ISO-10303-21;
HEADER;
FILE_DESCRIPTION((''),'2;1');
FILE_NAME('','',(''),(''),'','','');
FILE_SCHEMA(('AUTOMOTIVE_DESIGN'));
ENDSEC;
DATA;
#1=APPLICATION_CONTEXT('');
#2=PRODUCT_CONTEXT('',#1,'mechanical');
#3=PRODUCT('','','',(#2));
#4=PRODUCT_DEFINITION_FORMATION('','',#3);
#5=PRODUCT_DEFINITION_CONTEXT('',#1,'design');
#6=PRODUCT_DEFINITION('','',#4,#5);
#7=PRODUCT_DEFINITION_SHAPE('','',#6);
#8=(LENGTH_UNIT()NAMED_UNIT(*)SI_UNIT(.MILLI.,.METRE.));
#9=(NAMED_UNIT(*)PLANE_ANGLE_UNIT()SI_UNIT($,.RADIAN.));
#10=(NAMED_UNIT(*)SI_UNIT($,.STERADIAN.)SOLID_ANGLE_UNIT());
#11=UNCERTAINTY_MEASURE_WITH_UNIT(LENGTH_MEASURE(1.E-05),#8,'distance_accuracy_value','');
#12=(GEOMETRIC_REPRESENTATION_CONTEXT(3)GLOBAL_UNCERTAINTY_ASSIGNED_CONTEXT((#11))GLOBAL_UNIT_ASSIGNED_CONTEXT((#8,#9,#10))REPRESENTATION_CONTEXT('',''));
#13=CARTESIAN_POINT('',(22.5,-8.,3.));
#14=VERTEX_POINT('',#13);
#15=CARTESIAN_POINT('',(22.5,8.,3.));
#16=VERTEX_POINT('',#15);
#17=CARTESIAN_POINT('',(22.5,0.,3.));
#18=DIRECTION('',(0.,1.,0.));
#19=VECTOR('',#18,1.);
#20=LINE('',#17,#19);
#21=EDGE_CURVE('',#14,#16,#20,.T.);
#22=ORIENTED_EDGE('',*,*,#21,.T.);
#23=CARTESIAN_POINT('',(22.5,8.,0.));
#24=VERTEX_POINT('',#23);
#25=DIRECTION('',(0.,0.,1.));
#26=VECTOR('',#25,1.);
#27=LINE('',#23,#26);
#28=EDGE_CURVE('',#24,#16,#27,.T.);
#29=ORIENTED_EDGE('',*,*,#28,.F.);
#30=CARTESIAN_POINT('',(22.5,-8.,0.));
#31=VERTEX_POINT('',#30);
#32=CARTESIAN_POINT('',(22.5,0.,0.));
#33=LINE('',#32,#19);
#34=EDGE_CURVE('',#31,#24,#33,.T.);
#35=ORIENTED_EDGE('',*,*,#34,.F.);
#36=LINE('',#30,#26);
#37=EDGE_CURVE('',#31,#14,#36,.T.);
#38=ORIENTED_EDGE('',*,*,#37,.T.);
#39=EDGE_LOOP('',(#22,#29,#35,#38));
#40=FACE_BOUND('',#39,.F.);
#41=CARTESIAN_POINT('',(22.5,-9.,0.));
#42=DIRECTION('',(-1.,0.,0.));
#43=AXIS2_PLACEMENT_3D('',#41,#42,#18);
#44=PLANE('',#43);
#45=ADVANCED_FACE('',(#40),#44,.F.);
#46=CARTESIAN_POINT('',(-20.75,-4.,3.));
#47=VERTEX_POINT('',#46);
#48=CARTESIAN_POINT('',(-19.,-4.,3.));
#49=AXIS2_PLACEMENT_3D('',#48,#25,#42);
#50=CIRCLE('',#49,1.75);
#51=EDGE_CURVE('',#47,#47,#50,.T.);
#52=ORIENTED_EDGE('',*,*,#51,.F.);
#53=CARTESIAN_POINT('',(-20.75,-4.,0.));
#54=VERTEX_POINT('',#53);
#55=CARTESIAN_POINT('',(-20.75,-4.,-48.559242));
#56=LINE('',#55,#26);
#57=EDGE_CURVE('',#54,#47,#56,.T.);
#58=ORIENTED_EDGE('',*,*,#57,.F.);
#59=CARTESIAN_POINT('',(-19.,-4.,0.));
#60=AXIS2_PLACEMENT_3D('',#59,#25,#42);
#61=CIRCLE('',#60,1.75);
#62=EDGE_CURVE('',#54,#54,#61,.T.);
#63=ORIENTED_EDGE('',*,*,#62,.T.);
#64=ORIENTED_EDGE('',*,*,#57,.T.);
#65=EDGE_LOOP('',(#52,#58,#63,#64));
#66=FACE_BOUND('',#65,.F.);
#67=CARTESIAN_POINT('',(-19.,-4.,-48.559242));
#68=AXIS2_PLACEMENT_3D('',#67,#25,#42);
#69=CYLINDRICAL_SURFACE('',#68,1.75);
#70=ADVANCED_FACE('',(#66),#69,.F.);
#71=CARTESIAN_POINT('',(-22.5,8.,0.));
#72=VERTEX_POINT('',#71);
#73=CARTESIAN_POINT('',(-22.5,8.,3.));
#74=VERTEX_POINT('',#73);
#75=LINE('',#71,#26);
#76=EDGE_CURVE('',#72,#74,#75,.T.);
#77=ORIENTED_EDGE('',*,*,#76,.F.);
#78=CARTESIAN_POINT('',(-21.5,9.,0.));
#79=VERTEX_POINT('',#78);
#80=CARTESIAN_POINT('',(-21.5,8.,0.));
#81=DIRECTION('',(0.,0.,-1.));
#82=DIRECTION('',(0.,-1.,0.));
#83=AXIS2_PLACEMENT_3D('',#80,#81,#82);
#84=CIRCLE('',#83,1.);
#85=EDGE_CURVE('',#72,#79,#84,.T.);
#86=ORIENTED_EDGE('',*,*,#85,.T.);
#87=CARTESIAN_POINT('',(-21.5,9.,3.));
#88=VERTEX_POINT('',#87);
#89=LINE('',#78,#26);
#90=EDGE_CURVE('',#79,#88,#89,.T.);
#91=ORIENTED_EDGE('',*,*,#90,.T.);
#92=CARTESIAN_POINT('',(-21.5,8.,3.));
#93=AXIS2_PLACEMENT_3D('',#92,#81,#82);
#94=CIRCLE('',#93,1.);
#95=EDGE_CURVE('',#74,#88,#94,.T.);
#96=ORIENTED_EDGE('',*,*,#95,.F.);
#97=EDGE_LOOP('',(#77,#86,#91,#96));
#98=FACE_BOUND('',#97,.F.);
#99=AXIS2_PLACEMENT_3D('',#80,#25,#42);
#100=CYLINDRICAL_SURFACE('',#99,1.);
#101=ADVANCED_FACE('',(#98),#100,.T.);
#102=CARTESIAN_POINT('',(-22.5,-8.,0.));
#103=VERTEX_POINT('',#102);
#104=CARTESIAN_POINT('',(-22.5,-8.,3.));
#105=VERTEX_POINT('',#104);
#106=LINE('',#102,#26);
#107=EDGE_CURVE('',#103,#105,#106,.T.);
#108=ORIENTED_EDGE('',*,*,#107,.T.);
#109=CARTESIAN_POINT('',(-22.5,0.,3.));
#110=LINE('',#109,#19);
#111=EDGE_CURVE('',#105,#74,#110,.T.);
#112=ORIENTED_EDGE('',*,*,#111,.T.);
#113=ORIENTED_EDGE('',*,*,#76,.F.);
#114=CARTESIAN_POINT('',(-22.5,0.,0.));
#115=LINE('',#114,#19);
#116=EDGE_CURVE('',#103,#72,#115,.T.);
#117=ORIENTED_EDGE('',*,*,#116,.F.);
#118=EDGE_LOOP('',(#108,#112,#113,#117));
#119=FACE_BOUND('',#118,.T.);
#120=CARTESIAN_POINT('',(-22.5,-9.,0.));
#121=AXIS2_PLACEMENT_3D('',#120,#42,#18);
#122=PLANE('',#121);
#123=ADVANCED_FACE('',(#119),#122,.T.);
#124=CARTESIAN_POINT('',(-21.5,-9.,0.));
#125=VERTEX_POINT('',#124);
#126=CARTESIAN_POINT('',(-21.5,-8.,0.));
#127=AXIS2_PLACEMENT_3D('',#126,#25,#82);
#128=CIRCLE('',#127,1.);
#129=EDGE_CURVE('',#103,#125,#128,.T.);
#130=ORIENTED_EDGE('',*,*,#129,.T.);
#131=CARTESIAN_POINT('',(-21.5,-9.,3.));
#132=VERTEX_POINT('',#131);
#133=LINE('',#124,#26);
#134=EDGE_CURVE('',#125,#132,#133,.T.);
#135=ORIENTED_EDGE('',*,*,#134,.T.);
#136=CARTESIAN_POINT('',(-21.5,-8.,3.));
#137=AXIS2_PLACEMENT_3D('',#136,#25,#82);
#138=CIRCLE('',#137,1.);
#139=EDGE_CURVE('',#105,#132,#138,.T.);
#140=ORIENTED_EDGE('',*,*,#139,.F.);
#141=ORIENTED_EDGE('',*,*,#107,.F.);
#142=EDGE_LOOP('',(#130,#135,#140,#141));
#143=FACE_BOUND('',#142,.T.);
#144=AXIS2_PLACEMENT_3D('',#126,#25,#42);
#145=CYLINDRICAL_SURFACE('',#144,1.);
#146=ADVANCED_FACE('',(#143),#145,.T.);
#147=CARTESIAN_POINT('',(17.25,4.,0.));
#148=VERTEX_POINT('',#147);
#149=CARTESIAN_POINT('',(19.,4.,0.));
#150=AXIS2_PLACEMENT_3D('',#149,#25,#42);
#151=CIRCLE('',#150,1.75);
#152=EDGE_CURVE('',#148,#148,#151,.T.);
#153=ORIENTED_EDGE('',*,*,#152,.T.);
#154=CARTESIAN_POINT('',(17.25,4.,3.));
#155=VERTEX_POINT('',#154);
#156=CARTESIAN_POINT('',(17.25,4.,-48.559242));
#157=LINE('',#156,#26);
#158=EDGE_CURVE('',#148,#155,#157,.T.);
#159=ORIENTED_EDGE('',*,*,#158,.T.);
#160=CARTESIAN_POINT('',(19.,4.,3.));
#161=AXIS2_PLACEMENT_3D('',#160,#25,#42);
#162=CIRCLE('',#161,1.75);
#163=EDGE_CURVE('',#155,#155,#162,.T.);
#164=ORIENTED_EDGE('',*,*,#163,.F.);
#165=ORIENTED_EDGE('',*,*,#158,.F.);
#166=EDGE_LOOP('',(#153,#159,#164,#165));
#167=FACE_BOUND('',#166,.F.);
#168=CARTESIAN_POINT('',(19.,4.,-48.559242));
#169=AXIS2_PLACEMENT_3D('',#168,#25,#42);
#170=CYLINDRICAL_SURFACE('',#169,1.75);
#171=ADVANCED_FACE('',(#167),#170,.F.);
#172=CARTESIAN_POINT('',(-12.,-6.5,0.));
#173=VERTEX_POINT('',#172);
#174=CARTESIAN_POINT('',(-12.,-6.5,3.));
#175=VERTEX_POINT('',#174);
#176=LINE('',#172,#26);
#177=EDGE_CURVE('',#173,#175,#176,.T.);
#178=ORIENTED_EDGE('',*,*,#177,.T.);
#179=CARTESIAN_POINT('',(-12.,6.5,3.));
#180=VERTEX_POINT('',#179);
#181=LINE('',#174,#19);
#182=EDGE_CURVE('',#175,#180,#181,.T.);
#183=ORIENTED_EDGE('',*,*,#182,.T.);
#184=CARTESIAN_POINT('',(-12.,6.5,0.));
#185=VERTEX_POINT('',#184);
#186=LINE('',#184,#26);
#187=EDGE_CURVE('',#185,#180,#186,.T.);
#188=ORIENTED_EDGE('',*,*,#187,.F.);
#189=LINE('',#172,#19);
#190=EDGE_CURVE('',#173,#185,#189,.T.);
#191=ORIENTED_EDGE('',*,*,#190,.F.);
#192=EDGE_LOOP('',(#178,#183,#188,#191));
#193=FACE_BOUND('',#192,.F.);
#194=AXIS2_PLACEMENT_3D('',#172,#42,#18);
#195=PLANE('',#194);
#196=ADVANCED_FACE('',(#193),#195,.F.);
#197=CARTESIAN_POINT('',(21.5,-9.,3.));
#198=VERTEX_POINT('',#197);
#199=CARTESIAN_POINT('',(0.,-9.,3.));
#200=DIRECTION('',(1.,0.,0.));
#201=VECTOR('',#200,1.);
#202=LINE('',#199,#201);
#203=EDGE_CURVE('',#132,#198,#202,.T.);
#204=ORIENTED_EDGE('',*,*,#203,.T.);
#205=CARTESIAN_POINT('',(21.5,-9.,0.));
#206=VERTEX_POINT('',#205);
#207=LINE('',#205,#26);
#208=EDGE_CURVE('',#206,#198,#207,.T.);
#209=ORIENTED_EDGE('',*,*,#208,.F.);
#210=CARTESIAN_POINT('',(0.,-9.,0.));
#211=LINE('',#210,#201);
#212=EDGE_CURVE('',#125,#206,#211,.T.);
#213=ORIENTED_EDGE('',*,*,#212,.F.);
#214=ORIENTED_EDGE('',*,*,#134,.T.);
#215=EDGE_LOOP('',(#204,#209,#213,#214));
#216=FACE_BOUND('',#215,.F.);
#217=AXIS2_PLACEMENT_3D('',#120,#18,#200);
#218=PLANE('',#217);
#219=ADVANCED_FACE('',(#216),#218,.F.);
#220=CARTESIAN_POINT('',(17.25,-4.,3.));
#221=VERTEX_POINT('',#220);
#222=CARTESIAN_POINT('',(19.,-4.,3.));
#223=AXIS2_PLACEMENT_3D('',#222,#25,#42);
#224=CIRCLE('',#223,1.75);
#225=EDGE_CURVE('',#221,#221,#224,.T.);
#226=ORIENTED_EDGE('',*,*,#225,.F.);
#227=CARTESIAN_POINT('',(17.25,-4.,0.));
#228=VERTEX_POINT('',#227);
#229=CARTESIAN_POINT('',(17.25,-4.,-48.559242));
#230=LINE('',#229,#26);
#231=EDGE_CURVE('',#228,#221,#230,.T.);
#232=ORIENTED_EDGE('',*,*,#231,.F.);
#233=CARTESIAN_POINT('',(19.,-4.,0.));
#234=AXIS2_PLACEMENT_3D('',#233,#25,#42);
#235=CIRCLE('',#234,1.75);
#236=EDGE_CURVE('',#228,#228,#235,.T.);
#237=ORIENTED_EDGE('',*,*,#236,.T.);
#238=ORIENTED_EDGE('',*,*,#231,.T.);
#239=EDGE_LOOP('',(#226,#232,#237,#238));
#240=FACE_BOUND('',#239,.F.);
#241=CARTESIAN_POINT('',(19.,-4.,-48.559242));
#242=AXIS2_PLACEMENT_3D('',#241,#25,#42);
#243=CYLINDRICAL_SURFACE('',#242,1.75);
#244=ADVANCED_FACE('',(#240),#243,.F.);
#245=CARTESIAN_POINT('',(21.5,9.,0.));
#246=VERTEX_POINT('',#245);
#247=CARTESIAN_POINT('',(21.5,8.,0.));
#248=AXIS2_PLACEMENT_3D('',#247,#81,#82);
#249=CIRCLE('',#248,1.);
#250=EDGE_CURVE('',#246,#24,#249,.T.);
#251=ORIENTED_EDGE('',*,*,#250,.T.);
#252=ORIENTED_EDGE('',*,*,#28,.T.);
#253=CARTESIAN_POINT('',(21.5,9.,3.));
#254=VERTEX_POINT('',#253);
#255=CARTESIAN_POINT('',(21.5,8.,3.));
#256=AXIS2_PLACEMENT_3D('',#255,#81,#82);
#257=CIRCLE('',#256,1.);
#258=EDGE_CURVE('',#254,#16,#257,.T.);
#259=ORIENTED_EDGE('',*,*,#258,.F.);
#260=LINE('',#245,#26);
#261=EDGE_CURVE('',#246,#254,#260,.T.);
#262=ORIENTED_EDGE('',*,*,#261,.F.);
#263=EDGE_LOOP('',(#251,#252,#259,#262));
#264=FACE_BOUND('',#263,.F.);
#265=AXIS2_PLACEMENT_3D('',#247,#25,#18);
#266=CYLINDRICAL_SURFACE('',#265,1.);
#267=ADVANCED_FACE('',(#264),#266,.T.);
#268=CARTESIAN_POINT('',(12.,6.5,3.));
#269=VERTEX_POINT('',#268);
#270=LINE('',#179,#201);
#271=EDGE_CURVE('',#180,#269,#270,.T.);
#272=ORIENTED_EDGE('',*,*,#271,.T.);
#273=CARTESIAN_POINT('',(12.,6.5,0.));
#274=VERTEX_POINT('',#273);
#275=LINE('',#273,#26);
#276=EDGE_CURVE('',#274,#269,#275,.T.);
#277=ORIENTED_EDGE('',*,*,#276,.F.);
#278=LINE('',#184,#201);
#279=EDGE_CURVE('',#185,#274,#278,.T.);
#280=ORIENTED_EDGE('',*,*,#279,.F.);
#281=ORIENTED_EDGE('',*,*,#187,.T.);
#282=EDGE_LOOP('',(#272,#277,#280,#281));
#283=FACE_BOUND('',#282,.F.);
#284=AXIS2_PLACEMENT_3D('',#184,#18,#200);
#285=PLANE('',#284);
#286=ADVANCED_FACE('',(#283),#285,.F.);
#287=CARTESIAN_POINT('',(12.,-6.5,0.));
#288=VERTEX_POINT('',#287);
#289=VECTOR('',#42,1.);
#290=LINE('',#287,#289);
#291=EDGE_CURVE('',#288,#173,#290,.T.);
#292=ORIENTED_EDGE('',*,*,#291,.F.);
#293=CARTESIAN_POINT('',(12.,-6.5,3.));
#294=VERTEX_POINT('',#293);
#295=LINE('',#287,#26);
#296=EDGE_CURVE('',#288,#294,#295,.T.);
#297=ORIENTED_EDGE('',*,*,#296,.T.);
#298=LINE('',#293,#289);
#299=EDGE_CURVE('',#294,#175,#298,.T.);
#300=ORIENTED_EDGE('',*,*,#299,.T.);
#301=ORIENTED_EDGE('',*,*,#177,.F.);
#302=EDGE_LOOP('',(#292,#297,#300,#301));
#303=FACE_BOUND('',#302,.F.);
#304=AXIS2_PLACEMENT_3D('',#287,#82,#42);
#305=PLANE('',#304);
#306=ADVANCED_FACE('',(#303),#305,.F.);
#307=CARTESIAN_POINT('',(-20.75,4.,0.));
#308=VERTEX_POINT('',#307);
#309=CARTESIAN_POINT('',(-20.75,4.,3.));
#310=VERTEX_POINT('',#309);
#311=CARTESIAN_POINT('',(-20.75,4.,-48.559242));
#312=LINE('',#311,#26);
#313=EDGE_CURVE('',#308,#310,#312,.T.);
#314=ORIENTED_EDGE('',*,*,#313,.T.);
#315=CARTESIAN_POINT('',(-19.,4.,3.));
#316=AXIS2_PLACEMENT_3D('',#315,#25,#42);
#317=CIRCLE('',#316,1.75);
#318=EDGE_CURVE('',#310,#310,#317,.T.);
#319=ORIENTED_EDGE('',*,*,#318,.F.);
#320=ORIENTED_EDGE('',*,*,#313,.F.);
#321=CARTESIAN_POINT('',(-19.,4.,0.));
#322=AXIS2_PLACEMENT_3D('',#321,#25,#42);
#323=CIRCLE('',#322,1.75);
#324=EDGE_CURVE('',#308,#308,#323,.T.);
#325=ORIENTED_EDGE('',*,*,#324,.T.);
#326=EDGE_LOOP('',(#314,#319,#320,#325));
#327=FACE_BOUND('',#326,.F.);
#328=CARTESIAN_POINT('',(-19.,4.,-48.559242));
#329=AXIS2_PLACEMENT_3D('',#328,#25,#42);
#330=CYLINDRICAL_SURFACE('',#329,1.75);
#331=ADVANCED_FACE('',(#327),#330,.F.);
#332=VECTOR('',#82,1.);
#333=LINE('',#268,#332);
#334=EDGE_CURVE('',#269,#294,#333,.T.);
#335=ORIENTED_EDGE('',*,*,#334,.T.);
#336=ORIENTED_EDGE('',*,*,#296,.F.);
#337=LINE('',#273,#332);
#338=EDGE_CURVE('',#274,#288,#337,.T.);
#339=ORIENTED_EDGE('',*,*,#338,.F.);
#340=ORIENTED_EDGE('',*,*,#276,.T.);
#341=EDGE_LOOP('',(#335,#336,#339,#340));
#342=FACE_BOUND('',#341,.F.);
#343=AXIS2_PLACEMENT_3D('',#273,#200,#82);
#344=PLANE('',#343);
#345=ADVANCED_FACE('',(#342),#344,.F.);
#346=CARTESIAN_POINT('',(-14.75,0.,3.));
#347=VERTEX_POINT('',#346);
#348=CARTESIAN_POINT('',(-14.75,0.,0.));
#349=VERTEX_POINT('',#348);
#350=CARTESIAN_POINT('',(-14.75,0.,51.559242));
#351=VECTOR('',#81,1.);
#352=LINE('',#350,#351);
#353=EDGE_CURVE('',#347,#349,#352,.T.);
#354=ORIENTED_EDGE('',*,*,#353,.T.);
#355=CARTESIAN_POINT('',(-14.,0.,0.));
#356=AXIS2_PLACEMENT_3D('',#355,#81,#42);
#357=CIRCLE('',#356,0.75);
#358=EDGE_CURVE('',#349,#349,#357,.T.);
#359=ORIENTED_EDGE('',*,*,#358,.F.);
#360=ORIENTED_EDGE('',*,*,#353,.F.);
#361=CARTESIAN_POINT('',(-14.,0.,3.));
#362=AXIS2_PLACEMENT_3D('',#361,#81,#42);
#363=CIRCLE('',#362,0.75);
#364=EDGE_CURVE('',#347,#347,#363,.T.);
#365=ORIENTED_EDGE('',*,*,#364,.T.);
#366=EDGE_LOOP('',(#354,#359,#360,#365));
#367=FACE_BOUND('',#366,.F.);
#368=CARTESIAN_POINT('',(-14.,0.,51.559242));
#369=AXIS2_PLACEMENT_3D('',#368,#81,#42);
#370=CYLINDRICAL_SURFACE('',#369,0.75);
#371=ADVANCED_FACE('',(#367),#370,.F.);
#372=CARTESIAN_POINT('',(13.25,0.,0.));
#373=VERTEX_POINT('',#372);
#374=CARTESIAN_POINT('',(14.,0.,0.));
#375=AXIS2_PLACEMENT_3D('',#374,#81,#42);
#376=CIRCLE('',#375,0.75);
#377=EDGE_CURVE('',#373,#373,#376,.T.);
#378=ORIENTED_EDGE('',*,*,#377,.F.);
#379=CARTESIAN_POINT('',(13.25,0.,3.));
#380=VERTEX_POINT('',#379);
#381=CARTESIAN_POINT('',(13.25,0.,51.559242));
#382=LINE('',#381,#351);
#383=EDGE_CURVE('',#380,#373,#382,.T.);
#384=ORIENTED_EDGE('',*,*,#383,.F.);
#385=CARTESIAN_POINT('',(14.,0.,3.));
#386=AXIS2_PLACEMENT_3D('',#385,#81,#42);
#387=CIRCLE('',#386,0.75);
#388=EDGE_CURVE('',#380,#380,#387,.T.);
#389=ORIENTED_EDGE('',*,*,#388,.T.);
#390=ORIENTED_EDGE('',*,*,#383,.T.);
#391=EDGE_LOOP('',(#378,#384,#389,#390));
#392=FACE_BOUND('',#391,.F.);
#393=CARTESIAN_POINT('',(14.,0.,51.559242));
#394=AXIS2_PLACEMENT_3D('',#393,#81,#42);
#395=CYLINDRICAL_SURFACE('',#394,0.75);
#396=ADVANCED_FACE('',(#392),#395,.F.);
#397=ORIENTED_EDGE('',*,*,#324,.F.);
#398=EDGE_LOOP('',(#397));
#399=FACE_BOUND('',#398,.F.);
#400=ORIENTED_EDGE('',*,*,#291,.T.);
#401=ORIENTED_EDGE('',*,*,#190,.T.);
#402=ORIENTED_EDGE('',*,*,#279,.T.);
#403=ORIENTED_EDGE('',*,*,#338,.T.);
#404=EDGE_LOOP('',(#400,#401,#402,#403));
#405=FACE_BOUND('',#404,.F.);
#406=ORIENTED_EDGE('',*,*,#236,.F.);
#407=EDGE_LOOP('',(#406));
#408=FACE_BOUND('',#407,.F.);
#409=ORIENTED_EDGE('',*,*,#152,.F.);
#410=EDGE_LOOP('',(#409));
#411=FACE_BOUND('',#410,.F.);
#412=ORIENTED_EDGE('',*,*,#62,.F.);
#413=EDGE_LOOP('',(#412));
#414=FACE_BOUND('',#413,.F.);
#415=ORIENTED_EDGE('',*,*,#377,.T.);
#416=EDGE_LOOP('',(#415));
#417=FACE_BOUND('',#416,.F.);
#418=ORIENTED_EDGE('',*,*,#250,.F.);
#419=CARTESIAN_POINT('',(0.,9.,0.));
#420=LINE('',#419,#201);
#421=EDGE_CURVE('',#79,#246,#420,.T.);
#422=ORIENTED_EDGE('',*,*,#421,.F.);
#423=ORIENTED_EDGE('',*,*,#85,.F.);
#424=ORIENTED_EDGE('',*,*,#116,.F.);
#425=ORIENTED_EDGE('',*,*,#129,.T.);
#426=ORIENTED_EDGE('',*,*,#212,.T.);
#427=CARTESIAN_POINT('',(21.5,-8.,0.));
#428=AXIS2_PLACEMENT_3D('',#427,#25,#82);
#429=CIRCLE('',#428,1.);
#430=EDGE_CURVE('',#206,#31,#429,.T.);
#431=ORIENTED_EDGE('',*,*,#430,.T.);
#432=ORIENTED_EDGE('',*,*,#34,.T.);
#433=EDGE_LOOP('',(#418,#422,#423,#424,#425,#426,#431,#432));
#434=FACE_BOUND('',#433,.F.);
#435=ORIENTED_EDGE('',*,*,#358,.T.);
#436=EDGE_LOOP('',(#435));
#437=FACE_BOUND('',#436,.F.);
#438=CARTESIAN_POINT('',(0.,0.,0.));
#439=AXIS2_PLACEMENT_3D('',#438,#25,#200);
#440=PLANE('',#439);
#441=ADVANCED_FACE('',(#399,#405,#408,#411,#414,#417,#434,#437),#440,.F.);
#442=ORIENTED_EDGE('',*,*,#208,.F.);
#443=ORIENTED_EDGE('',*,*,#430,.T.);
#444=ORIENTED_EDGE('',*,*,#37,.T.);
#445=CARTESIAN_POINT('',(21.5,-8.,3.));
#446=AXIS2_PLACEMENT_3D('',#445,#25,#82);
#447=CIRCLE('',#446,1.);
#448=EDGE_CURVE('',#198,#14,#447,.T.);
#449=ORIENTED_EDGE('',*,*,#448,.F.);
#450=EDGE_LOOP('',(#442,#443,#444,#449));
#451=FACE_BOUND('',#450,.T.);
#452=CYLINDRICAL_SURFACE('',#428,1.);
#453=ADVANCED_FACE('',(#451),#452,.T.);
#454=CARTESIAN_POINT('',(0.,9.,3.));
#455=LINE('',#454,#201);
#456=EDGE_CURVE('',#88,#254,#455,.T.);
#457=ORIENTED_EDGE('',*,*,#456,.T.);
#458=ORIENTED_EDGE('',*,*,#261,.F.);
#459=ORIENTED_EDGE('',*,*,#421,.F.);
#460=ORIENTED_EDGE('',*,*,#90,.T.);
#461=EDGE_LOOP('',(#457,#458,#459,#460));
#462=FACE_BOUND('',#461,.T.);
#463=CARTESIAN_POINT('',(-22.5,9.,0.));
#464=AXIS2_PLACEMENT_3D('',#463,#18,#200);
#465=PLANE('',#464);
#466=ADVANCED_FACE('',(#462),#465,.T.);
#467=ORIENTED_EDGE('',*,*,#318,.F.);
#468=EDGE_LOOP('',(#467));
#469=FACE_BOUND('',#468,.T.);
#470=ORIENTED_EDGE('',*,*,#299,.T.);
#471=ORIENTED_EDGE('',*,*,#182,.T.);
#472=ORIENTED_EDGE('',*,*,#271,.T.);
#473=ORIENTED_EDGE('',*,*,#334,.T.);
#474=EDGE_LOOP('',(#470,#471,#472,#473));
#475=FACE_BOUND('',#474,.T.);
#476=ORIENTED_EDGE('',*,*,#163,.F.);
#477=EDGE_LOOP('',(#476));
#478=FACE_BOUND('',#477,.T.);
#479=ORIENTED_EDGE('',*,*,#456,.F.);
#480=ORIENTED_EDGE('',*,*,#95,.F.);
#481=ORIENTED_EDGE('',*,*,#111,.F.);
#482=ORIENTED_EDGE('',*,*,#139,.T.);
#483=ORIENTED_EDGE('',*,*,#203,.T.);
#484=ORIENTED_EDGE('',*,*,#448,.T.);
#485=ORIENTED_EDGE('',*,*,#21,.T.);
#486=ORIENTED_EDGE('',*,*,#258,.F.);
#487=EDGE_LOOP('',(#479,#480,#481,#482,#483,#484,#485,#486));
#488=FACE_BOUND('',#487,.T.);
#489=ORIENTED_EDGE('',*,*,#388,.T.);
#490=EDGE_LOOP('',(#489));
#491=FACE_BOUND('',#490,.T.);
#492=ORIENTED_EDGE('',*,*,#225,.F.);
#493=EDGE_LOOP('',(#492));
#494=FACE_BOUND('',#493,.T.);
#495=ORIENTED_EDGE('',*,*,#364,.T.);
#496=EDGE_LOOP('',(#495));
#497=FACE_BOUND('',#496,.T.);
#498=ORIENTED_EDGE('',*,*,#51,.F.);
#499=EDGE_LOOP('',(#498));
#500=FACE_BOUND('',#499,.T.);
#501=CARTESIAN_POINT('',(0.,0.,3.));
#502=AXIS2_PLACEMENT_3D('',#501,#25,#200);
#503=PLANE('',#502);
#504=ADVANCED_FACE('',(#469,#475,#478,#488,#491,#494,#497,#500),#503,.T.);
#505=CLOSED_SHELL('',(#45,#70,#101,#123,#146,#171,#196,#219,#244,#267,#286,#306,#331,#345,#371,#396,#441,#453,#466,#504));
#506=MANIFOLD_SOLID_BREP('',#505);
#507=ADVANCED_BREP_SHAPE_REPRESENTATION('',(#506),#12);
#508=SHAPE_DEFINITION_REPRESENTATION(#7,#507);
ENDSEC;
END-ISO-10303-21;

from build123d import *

# Parameters (mm, degrees)
F0_W     = 45
F0_H     = 18
F0_W_2   = 7
F0_H_2   = 8
F1_DEPTH = 3
F2_D     = 3.5
F3_R     = 1
F5_D     = 1.5


with BuildPart() as f1:
    # F0 (on Top) → F1 (new body)
    with BuildSketch(Plane.XY):
        Rectangle(F0_W, F0_H)
        Polygon((19, 4), (19, -4), (12, -4), (12, -6.5), (-12, -6.5), (-12, -4), (-19, -4), (-19, 4), (-12, 4), (-12, 6.5), (12, 6.5), (12, 4), align=None, mode=Mode.SUBTRACT)
        with Locations((15.5, 0)):
            Rectangle(F0_W_2, F0_H_2)
        with Locations((-15.5, 0)):
            Rectangle(F0_W_2, F0_H_2)
    extrude(amount=F1_DEPTH)

    # F2 (through all)
    with Locations(Plane(origin=(0, 0, 0), x_dir=(1, 0, 0), z_dir=(0, 0, -1))):
        with Locations((-19, 4), (-19, -4), (19, -4), (19, 4)):
            Hole(F2_D / 2)

    # F3
    f3_edges = [f1.edges().sort_by_distance(p)[0] for p in [
        (22.5, 9, 1.5),
        (22.5, -9, 1.5),
        (-22.5, -9, 1.5),
        (-22.5, 9, 1.5),
    ]]
    fillet(f3_edges, radius=F3_R)

    # F5 (through all)
    with Locations(Plane.XY.offset(3)):
        with Locations((-14, 0), (14, 0)):
            Hole(F5_D / 2)


solid = f1.part
